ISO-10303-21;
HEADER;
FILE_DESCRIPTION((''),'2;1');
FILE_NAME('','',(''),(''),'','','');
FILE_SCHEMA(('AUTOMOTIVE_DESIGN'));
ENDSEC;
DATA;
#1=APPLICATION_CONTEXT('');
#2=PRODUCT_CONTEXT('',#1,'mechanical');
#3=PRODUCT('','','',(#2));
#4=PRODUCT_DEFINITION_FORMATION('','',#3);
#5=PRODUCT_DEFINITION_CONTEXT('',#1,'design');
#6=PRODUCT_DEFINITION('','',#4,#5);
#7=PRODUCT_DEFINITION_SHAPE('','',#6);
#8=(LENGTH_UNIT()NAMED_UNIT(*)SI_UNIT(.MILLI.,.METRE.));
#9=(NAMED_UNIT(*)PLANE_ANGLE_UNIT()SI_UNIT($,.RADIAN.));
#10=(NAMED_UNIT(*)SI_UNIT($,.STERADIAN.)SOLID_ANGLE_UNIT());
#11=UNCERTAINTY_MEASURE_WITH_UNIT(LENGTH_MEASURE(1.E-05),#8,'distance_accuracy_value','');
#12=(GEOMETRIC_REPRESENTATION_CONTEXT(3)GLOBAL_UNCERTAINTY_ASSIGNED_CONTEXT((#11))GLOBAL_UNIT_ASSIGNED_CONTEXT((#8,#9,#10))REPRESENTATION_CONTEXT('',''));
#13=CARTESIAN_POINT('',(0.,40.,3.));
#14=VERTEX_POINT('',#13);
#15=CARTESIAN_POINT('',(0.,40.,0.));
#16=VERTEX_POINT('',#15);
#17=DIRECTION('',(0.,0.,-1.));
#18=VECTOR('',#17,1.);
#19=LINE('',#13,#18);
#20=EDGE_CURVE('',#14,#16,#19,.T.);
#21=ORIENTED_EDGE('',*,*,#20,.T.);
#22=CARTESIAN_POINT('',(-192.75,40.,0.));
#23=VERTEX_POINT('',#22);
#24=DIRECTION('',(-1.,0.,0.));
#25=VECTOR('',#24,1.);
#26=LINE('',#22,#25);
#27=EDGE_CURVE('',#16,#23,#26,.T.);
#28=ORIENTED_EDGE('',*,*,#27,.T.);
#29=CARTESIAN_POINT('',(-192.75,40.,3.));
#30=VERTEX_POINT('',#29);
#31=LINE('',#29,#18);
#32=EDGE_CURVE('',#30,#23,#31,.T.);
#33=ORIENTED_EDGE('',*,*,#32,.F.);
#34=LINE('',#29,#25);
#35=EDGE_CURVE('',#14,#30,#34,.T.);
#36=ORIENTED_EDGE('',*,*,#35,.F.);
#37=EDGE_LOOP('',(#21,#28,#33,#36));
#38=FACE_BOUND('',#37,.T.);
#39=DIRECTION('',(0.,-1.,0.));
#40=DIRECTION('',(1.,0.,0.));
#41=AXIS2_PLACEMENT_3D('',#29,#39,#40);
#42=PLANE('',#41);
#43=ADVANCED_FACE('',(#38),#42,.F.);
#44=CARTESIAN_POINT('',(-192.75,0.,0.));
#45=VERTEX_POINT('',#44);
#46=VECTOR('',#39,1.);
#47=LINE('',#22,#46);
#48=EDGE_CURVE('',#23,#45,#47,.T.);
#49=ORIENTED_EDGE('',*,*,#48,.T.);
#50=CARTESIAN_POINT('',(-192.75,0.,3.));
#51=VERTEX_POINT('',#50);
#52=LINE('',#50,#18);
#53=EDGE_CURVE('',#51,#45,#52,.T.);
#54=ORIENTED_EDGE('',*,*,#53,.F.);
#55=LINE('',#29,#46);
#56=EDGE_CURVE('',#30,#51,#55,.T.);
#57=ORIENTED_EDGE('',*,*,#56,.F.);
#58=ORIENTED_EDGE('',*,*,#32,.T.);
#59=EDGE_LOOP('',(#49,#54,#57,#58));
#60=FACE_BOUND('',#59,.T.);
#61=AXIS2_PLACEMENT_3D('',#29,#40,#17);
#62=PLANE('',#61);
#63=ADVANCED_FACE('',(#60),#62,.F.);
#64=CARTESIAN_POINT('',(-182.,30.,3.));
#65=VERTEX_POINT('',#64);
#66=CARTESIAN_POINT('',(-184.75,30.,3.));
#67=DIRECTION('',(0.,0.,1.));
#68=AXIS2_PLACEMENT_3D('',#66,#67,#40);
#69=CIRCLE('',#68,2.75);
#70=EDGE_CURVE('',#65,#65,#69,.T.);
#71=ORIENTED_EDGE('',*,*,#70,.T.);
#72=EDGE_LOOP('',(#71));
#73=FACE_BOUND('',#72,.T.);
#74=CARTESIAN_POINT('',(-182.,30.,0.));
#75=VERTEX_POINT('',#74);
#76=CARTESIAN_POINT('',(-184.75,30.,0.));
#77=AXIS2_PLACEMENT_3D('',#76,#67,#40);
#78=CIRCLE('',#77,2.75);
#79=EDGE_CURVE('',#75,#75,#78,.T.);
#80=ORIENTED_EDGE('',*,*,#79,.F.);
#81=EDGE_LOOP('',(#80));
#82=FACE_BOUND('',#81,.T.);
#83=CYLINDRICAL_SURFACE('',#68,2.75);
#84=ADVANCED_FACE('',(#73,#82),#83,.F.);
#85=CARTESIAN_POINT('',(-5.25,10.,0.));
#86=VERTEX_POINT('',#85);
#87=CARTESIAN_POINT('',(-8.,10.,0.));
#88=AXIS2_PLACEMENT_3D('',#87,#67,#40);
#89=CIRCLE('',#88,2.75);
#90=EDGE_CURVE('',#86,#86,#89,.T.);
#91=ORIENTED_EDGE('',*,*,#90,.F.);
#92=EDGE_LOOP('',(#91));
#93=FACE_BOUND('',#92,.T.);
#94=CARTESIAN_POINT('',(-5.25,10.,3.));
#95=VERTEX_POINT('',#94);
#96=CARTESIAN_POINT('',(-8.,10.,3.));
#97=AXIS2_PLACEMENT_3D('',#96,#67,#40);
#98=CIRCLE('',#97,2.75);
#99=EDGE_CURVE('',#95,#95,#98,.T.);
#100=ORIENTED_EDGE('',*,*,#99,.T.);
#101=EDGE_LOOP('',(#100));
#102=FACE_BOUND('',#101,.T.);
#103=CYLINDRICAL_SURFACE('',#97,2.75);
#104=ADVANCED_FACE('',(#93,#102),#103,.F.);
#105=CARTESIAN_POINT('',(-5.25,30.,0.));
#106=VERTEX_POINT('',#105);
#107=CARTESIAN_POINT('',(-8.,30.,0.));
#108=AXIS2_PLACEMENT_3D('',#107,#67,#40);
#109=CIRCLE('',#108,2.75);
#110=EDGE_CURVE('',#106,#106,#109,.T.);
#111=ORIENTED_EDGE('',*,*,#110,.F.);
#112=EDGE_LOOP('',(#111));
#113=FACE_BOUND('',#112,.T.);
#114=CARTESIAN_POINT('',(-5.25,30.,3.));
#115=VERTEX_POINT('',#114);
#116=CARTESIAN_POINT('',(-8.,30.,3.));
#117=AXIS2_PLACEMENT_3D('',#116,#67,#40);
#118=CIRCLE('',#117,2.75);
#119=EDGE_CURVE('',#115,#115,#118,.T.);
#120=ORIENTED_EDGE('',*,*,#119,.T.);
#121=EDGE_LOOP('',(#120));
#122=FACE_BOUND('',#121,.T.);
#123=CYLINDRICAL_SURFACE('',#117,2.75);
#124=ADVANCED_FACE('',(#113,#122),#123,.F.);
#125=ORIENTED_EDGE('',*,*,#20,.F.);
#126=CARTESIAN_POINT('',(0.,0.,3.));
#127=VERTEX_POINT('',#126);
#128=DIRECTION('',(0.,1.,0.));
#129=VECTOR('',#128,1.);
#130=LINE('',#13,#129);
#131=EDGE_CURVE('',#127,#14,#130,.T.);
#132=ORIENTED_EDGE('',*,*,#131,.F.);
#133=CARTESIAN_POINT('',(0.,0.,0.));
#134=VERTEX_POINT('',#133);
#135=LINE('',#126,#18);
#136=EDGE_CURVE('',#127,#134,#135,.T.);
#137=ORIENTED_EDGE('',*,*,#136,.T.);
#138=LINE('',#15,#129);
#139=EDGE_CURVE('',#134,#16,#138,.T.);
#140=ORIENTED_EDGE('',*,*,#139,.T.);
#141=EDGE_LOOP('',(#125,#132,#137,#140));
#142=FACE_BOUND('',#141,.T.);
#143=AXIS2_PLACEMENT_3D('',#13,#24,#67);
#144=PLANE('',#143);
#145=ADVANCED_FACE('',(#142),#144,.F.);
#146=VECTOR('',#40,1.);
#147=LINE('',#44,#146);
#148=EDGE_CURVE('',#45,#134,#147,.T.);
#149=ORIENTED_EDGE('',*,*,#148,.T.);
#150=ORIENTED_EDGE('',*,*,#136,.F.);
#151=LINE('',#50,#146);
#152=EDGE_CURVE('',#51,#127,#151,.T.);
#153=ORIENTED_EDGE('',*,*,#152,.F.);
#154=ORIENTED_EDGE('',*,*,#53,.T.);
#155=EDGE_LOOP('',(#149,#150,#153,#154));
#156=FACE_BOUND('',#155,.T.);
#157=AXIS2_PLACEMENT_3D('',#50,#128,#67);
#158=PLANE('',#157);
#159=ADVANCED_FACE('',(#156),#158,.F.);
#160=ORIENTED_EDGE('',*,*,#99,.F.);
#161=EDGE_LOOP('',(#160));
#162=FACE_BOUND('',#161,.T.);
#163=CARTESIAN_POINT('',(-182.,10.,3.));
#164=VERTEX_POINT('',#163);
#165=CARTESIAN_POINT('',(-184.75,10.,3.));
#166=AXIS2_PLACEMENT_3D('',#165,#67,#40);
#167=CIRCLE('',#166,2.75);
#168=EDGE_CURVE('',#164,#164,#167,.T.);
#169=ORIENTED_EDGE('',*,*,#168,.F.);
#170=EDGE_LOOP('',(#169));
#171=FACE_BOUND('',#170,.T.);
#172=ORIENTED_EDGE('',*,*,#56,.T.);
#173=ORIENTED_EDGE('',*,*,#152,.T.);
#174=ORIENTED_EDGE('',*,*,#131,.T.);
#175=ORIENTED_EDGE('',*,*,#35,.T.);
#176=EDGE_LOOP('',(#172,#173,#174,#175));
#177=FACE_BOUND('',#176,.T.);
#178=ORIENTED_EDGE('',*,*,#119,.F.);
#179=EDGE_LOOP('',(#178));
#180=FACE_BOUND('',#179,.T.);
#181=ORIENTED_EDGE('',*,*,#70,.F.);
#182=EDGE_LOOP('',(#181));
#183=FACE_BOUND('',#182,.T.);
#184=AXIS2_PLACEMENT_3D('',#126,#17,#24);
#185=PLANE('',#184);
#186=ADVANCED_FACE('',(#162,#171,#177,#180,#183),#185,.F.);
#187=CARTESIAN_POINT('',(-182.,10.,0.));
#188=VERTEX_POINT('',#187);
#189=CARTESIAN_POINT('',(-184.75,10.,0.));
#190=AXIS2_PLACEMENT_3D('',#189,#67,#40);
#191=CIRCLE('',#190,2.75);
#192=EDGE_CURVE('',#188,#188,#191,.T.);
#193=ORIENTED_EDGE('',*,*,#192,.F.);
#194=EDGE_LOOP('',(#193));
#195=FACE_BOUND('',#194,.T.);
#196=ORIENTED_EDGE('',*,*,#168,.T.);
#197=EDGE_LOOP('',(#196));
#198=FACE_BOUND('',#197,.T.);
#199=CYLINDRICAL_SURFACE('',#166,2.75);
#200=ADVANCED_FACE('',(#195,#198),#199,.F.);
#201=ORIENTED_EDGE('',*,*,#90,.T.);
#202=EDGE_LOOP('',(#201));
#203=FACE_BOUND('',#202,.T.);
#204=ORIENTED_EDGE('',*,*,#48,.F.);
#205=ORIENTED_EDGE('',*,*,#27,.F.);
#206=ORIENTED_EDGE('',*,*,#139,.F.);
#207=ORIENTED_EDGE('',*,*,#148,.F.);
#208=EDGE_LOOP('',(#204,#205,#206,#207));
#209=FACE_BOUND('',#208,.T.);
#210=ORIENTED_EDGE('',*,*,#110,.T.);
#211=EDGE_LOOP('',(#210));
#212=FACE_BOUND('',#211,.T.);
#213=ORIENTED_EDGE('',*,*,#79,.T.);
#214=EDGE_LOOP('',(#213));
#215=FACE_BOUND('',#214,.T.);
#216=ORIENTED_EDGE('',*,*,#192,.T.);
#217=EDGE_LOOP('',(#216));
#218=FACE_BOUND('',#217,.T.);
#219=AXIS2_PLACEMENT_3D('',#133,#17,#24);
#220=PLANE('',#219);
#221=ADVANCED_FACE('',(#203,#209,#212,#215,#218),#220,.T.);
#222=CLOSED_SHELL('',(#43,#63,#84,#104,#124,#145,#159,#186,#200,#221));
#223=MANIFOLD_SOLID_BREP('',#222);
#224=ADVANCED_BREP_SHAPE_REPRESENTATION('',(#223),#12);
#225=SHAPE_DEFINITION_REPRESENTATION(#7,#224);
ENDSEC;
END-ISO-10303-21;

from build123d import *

# Parameters (mm, degrees)
EXTRUSION_BASE_SKETCH_W      = 192.75
EXTRUSION_BASE_SKETCH_H      = 40
EXTRUSION_BASE_EXTRUDE_DEPTH = 3
M5_MOUNTING_HOLES_D          = 5.5


with BuildPart() as part:
    # Extrusion Base Sketch → Extrusion Base Extrude (new body)
    with BuildSketch(Plane.XY):
        with Locations((-96.375, 20)):
            Rectangle(EXTRUSION_BASE_SKETCH_W, EXTRUSION_BASE_SKETCH_H)
    extrude(amount=EXTRUSION_BASE_EXTRUDE_DEPTH)

    # M5 Mounting Holes (through all)
    with Locations(Plane.XY.offset(3)):
        with Locations((-8, 30), (-8, 10), (-184.75, 30), (-184.75, 10)):
            Hole(M5_MOUNTING_HOLES_D / 2)


solid = part.part
